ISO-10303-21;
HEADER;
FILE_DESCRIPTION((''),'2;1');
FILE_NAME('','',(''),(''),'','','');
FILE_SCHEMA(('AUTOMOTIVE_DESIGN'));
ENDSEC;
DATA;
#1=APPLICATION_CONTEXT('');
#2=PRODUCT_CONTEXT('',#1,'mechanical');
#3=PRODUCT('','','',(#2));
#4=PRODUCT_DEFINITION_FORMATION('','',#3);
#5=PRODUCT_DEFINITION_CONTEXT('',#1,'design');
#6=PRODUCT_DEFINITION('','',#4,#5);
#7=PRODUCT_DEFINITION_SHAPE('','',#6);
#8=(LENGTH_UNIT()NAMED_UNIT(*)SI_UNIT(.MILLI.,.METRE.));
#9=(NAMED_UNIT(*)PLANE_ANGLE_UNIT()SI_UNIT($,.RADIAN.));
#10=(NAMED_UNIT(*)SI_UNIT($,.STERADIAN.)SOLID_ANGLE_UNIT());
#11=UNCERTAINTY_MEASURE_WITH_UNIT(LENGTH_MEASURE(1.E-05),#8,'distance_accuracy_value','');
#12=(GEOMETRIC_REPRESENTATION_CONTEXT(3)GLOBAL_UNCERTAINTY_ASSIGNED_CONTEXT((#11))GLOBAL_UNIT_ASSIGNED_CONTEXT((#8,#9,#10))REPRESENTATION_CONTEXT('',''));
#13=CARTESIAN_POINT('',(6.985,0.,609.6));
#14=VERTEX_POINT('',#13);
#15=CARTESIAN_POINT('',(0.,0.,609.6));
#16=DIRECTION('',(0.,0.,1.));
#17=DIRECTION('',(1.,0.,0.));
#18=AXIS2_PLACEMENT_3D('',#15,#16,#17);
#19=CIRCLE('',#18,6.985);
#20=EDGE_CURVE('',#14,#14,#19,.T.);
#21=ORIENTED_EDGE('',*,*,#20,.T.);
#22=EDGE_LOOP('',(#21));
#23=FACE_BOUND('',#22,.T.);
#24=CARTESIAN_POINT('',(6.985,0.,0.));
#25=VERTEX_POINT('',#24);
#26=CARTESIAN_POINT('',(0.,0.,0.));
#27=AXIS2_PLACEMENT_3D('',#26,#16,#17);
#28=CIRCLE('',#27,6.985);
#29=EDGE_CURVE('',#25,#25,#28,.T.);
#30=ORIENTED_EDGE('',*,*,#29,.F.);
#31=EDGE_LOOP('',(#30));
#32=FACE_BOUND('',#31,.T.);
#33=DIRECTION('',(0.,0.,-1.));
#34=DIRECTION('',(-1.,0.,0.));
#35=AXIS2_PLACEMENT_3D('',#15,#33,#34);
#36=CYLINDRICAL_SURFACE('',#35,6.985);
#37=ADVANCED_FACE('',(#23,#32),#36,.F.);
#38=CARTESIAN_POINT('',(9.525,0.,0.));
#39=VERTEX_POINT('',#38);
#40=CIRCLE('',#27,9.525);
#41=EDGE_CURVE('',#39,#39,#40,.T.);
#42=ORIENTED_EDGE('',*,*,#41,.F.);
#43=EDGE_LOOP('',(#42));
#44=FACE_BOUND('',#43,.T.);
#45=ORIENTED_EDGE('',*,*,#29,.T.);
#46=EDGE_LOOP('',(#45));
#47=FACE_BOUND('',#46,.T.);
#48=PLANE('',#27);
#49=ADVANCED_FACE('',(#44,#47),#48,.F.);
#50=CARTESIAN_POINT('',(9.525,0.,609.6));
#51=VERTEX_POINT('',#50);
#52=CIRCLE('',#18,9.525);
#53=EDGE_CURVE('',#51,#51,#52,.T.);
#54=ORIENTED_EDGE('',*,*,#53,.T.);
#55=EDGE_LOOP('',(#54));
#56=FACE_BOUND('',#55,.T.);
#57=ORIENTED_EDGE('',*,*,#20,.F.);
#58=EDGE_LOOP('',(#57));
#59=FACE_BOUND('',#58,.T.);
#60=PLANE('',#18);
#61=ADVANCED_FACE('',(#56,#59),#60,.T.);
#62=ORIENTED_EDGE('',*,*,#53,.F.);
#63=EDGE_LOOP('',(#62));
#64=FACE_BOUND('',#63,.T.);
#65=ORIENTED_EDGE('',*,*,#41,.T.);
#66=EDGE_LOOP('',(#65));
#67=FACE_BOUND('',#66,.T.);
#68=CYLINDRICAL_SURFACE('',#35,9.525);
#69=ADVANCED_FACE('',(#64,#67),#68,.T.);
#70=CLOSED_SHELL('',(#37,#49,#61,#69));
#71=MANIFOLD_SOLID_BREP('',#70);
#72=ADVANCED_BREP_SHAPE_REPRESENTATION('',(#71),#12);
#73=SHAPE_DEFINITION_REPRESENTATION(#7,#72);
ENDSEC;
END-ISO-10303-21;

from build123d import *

# Parameters (mm, degrees)
SKETCH1_R           = 9.525
SKETCH1_R_2         = 6.985
BOSS_EXTRUDE1_DEPTH = 609.6


with BuildPart() as part:
    # Sketch1 → Boss-Extrude1 (new body)
    with BuildSketch(Plane.XY):
        Circle(SKETCH1_R)
        Circle(SKETCH1_R_2, mode=Mode.SUBTRACT)
    extrude(amount=BOSS_EXTRUDE1_DEPTH)


solid = part.part
